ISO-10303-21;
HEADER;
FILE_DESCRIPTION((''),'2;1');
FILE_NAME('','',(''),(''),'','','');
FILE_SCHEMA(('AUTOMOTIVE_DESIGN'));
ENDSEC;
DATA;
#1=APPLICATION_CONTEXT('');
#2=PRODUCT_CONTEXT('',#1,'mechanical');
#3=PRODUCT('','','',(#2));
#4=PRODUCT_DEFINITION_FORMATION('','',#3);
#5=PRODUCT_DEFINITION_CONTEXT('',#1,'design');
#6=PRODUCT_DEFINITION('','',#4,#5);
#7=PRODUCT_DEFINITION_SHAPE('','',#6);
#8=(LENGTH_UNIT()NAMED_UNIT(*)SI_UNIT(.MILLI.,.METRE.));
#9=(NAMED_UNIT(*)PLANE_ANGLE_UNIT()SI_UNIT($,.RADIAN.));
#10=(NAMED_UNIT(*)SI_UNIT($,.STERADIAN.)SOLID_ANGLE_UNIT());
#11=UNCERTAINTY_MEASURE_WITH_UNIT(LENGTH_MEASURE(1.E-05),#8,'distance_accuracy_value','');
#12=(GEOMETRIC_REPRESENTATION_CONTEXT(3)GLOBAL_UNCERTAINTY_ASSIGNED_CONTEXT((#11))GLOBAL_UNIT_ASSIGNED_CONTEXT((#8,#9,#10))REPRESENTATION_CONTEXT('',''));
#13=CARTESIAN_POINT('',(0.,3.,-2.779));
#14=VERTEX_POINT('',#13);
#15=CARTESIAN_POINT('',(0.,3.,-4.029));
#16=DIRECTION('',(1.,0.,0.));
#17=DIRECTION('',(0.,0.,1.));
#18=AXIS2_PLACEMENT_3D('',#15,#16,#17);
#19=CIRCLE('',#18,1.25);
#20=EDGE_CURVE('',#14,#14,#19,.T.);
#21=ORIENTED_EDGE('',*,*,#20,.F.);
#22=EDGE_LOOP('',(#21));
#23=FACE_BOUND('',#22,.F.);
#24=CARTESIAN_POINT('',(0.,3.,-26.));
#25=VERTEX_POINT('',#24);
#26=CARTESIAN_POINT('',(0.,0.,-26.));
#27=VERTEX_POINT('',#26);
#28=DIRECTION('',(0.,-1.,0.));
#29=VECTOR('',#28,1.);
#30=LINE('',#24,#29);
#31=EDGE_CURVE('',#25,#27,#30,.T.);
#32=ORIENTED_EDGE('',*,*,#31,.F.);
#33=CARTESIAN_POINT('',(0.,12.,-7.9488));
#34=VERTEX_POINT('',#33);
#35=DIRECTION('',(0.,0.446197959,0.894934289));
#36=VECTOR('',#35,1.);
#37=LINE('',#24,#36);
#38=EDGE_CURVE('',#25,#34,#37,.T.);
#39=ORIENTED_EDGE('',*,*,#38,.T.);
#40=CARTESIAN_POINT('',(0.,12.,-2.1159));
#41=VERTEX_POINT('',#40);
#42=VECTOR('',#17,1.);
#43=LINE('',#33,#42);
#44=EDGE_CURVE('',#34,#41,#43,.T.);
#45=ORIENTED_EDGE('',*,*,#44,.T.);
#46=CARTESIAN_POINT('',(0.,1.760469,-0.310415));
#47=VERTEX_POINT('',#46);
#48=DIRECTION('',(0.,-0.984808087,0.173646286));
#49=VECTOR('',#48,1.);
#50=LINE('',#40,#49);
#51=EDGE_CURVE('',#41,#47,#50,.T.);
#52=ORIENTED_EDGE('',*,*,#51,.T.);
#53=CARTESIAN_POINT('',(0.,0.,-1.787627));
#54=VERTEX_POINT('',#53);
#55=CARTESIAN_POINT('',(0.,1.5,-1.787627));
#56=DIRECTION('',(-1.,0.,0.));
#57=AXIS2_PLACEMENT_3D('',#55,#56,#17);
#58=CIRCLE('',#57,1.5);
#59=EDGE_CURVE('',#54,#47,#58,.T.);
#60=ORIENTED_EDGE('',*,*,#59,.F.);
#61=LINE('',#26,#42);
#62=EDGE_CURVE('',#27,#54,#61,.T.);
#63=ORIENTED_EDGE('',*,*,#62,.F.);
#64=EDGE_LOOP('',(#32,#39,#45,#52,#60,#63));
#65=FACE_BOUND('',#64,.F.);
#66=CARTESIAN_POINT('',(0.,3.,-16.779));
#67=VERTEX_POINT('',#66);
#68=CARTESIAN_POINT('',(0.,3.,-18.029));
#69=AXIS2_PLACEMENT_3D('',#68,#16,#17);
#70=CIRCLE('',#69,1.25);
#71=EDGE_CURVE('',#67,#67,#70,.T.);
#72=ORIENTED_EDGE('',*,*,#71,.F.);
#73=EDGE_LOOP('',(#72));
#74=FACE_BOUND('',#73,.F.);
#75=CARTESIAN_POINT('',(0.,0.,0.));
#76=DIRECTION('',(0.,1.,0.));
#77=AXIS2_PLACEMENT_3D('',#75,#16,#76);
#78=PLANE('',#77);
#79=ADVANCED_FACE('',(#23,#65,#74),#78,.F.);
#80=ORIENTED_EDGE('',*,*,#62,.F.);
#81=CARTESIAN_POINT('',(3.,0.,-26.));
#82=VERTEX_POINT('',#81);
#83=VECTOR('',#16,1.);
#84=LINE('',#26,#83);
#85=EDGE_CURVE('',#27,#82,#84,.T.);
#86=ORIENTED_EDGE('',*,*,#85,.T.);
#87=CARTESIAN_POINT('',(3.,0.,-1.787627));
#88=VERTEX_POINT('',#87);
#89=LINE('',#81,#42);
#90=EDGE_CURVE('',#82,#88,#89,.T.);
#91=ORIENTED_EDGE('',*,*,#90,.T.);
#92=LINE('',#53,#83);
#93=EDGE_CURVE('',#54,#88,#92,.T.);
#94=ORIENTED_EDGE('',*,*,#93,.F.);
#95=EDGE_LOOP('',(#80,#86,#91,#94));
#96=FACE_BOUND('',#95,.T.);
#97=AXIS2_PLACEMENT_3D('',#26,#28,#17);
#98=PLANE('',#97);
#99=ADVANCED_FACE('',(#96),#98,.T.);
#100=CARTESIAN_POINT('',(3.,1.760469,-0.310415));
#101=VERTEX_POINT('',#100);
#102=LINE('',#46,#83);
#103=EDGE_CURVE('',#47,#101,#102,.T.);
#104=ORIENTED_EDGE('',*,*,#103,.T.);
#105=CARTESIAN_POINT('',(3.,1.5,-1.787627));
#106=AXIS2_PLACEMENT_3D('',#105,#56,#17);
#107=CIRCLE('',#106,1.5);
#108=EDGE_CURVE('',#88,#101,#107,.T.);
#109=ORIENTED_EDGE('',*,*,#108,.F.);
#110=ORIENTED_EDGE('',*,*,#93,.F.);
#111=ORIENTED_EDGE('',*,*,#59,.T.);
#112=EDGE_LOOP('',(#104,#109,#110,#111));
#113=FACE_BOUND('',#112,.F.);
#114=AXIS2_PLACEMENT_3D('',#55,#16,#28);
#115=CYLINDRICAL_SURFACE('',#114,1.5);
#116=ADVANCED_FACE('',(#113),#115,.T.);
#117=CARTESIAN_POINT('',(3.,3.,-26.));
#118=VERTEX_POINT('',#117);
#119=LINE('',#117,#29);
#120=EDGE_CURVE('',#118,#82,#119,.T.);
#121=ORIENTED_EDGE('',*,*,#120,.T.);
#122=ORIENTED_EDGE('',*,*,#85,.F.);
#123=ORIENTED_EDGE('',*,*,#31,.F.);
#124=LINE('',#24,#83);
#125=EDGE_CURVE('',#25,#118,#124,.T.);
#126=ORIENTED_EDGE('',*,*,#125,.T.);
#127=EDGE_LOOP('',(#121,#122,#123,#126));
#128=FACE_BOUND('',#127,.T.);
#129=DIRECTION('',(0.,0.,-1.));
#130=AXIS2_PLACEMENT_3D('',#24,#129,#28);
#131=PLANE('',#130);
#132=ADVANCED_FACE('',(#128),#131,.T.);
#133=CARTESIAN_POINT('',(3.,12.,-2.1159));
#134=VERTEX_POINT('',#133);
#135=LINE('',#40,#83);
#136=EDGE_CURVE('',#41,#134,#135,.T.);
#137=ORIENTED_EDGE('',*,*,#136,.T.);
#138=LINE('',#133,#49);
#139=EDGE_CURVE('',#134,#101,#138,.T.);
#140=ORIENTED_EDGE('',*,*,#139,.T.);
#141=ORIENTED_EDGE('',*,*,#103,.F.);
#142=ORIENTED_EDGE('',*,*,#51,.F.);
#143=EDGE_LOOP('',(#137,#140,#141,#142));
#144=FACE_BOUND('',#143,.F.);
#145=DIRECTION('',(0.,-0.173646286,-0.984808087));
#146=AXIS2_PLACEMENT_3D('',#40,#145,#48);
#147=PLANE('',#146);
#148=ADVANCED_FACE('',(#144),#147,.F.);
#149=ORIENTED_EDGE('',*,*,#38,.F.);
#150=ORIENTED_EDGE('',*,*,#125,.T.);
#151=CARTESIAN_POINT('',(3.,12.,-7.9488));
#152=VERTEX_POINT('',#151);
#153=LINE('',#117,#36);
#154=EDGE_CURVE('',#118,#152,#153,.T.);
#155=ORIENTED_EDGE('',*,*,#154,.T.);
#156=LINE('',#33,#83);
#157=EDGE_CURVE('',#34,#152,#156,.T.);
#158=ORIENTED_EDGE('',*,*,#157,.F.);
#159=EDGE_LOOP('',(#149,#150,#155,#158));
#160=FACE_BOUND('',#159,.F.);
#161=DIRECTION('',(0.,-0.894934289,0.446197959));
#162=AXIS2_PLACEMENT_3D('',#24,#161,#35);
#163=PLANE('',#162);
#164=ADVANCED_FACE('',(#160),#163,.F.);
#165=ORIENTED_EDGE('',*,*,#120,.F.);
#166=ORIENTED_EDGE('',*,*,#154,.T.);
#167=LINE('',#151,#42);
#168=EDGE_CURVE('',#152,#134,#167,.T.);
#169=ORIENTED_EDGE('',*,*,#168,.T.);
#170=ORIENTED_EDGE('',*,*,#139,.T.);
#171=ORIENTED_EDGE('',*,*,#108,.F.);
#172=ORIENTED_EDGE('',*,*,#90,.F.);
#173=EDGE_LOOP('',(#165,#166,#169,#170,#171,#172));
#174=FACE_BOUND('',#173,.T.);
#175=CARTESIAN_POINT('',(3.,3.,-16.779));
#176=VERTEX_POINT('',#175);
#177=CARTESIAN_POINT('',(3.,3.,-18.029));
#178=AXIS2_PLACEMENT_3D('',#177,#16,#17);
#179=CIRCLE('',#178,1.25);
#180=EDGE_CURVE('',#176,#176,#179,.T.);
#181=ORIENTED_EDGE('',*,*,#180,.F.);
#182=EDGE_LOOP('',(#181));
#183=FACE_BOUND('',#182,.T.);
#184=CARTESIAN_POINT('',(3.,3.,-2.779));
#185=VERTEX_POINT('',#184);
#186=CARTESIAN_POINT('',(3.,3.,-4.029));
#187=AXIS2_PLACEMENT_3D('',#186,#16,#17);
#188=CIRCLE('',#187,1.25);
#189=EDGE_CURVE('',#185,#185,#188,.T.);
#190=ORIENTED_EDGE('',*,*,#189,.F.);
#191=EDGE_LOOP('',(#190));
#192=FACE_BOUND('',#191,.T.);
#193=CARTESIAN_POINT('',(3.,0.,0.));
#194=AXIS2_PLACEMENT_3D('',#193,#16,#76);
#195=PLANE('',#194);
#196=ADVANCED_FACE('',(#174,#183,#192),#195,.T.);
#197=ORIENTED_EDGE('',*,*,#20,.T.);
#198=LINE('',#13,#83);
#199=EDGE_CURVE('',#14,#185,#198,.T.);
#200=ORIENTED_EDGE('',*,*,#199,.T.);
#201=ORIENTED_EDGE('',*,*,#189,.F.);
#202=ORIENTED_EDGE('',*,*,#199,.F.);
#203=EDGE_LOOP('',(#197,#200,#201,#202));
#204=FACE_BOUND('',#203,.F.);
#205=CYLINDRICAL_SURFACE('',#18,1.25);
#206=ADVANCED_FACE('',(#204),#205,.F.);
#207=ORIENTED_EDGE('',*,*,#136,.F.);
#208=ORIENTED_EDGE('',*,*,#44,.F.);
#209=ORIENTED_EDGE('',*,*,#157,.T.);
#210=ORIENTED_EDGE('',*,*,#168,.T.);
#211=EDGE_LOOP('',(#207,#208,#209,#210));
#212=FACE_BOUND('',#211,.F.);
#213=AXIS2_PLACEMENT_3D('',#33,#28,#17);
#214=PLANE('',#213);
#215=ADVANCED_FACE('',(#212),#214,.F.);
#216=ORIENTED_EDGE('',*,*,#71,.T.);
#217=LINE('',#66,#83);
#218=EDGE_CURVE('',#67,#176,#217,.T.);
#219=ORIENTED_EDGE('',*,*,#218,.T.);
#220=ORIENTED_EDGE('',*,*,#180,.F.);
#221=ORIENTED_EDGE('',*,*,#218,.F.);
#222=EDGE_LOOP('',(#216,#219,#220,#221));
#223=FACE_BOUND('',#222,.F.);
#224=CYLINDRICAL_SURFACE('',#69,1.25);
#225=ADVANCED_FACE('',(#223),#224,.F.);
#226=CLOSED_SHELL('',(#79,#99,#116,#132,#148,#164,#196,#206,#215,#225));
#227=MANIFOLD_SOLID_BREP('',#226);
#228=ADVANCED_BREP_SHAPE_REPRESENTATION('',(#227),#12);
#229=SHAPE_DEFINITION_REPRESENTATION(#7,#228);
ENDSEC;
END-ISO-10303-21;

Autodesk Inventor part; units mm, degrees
ref_plane "YZ Plane" through (0, 0, 0) normal (1, 0, 0) x (0, 1, 0)
ref_plane "XZ Plane" through (0, 0, 0) normal (0, 1, 0) x (-1, 0, 0)
ref_plane "XY Plane" through (0, 0, 0) normal (0, 0, 1) x (1, 0, 0)
sketch "Base" plane through (0, 0, 0) normal (1, 0, 0) x (0, 1, 0)
  line L0 (3, -26) -> (0, -26)
  line L1 (3, -26) -> (12, -7.9488)
  line L2 (12, -7.9488) -> (12, -2.1159)
  line L3 (12, -2.1159) -> (0, 0)
  line L4 (0, -26) -> (0, 0)
  dimension "d0" = 12
  dimension "d1" = 80
  dimension "d2" = 26.5
  dimension "d3" = 26
  dimension "d4" = 3
extrude "BaseFeature" add sketch "Base" along normal blind 3
fillet "BaseFilletsFeature" radius 1.5 1 edges at (1.5, 0, 0)
sketch "BaseHoles" plane through (0, 0, 0) normal (-1, 0, 0) x (0, 0, 1)
  line L0 (-26, 3) -> (-0.529, 3) construction
  line L1 (-0.3104, 1.7605) -> (-2.1159, 12) construction
  circle A0 centre (-18.029, 3) radius 1.75
  circle A1 centre (-4.029, 3) radius 1.75
  circle A2 centre (-18.029, 3) radius 7 construction
  circle A3 centre (-4.029, 3) radius 7 construction
  dimension "d9" = 3.5
  dimension "d12" = 3.5
  dimension "d14" = 14
  dimension "d22" = 14
hole "BaseHolesFeature" at (0, 3, -18.029) at (0, 3, -4.029) direction (1, 0, 0) diameter 2.5 end through all
properties part number "Knuckle"
